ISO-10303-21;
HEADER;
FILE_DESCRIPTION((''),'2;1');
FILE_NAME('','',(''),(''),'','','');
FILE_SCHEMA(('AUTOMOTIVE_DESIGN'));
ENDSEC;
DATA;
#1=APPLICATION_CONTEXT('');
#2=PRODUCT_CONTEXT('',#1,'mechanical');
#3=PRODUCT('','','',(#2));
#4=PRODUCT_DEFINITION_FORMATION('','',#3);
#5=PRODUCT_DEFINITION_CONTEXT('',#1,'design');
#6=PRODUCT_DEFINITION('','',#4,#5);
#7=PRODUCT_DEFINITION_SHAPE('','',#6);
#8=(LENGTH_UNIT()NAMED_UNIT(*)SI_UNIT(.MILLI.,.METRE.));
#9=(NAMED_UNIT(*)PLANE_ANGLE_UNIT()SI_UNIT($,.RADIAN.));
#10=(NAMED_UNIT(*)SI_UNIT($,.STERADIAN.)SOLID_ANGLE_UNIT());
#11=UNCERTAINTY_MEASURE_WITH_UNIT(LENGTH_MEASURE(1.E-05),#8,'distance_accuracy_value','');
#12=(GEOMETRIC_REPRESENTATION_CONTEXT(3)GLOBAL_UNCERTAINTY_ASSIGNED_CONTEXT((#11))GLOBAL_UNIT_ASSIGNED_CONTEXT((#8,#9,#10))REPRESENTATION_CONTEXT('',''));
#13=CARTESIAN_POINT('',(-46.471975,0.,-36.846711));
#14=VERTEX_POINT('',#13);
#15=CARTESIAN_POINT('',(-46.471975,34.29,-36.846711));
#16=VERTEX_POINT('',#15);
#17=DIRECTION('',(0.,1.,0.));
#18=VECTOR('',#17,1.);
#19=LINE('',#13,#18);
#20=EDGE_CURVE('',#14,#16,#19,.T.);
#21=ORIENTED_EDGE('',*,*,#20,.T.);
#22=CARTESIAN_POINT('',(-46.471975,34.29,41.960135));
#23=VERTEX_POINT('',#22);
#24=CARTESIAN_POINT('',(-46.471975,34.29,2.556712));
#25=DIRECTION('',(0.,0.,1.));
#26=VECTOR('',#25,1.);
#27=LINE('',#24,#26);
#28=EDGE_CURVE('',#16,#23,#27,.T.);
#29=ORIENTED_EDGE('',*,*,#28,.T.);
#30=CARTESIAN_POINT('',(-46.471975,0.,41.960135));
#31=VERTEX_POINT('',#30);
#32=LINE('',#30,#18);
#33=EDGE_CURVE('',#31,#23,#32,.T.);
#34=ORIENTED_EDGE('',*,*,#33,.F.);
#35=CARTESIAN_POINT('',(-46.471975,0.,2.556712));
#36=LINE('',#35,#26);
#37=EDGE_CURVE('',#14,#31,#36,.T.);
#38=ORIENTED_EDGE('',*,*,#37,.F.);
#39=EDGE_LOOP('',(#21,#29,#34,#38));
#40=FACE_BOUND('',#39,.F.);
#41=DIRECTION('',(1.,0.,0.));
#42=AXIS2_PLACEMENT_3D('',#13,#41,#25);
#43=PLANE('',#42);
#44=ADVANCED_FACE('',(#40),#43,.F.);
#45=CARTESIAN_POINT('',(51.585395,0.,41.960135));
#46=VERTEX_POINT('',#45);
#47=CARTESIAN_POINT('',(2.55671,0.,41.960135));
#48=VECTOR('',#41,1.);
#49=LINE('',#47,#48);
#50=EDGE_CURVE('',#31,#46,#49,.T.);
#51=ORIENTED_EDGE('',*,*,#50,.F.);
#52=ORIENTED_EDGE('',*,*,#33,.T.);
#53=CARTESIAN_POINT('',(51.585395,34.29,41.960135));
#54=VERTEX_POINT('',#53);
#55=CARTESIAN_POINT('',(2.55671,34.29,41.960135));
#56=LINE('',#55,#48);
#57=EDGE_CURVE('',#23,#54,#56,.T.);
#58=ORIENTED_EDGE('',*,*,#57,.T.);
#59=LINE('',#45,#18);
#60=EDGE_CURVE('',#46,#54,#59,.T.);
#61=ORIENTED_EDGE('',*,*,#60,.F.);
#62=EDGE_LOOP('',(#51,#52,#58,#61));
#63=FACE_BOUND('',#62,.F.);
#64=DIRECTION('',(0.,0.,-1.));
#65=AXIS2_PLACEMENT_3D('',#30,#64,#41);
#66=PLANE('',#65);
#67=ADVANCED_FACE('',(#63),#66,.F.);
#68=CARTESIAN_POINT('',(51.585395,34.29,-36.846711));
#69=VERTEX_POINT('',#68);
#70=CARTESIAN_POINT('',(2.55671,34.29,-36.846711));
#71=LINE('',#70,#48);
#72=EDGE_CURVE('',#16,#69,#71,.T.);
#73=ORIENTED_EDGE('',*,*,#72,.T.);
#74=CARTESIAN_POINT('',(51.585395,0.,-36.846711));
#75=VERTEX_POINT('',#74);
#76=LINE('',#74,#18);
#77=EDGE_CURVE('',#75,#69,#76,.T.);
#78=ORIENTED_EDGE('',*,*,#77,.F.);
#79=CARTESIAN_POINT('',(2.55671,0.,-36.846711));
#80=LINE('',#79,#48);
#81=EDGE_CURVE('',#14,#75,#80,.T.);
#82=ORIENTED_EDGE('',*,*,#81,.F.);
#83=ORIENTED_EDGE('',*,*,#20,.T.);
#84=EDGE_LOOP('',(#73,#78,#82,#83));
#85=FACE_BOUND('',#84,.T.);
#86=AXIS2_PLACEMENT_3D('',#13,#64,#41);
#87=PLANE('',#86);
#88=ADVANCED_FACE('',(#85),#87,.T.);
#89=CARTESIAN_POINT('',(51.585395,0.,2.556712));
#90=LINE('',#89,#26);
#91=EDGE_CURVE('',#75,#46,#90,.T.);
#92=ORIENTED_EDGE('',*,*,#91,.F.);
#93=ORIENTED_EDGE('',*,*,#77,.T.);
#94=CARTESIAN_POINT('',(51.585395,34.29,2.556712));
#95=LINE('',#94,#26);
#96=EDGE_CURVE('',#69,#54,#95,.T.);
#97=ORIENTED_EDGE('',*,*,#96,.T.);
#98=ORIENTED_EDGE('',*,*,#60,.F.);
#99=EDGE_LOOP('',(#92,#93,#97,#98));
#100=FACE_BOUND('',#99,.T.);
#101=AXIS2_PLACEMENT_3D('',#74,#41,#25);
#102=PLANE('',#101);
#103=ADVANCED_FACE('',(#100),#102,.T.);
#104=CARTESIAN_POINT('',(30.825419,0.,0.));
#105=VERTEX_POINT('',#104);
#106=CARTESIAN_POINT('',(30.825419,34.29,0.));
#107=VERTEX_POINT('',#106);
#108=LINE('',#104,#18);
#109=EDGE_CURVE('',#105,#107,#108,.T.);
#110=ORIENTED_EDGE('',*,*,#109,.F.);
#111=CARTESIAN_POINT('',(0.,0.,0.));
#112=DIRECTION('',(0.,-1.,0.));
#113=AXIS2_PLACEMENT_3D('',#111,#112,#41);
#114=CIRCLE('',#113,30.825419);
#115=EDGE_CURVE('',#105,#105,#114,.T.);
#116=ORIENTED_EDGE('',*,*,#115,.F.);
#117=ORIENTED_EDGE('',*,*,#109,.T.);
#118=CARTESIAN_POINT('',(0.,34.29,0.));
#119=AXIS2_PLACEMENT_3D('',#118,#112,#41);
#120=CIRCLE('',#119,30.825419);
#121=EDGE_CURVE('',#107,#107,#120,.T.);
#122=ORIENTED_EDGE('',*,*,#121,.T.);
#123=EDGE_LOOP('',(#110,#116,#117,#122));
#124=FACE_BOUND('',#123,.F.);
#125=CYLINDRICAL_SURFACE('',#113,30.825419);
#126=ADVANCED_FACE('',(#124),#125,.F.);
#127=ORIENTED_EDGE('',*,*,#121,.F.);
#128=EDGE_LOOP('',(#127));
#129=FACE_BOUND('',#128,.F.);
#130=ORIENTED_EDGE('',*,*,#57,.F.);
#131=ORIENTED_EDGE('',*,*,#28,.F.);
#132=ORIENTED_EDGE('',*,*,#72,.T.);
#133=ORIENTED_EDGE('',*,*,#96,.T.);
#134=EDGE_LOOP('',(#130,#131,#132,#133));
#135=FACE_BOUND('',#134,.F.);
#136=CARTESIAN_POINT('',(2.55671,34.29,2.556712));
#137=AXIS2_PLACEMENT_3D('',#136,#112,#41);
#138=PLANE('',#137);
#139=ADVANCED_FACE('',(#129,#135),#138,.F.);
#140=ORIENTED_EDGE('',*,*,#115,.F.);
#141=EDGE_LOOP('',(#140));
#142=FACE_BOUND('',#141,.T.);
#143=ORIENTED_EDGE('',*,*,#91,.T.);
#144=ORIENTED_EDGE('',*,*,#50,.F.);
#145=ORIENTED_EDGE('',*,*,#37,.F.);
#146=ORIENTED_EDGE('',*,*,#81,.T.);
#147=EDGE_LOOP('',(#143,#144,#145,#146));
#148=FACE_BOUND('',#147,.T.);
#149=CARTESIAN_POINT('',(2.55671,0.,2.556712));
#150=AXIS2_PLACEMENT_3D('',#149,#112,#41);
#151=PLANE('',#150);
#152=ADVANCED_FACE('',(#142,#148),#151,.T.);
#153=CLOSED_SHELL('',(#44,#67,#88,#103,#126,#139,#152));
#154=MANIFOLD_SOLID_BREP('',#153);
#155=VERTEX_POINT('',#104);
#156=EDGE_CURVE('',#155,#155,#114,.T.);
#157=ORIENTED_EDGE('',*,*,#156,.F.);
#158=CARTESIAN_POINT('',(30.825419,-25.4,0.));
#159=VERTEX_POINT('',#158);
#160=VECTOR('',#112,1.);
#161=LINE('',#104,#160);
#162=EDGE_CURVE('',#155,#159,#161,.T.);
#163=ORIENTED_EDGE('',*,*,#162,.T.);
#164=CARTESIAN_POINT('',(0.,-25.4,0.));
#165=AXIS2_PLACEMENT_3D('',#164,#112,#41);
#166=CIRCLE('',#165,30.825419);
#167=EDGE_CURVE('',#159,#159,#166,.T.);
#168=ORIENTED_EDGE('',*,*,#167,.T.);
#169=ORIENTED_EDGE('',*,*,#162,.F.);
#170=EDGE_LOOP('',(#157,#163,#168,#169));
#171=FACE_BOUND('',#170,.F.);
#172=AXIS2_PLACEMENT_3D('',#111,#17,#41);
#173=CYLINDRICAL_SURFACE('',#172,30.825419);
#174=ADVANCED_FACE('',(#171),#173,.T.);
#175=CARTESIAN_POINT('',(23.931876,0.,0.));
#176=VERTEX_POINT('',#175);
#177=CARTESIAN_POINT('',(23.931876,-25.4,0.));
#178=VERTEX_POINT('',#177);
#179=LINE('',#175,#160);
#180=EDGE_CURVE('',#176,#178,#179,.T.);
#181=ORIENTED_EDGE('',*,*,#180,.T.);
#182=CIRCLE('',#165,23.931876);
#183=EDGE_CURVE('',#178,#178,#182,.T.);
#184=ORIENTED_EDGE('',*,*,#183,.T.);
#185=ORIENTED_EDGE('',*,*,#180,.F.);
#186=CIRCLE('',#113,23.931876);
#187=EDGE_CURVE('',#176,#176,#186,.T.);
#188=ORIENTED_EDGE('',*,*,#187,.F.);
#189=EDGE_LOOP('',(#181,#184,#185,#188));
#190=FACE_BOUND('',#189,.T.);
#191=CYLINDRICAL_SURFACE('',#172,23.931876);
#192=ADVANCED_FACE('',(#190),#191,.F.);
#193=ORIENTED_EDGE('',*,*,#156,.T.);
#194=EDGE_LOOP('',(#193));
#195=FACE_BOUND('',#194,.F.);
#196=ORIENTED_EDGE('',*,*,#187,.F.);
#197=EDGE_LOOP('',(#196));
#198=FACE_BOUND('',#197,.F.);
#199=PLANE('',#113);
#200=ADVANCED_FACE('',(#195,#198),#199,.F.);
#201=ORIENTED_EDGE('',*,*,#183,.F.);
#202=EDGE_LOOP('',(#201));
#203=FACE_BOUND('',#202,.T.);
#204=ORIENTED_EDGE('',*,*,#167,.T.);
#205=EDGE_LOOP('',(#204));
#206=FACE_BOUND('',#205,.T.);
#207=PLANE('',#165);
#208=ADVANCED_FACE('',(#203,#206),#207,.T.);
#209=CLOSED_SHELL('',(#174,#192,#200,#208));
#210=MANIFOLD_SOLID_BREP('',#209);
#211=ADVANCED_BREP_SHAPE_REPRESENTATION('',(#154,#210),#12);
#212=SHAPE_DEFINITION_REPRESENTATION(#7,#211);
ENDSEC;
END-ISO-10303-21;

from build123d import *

# Parameters (mm, degrees)
F0_R     = 30.825419
F0_R_2   = 23.931876
F1_DEPTH = 25.4
F0_W     = 98.057371
F0_H     = 78.806847
F2_DEPTH = 34.29


with BuildPart() as f1:
    # F0 (on Front) → F1 (new body)
    with BuildSketch(Plane.XZ):
        Circle(F0_R)
        Circle(F0_R_2, mode=Mode.SUBTRACT)
    extrude(amount=F1_DEPTH)


with BuildPart() as f2:
    # F0 (on Front) → F2 (new body)
    with BuildSketch(Plane.XZ):
        with Locations((2.55671, 2.556712)):
            Rectangle(F0_W, F0_H)
        Circle(F0_R, mode=Mode.SUBTRACT)
    extrude(amount=-F2_DEPTH)


solid = Compound([f1.part, f2.part])
